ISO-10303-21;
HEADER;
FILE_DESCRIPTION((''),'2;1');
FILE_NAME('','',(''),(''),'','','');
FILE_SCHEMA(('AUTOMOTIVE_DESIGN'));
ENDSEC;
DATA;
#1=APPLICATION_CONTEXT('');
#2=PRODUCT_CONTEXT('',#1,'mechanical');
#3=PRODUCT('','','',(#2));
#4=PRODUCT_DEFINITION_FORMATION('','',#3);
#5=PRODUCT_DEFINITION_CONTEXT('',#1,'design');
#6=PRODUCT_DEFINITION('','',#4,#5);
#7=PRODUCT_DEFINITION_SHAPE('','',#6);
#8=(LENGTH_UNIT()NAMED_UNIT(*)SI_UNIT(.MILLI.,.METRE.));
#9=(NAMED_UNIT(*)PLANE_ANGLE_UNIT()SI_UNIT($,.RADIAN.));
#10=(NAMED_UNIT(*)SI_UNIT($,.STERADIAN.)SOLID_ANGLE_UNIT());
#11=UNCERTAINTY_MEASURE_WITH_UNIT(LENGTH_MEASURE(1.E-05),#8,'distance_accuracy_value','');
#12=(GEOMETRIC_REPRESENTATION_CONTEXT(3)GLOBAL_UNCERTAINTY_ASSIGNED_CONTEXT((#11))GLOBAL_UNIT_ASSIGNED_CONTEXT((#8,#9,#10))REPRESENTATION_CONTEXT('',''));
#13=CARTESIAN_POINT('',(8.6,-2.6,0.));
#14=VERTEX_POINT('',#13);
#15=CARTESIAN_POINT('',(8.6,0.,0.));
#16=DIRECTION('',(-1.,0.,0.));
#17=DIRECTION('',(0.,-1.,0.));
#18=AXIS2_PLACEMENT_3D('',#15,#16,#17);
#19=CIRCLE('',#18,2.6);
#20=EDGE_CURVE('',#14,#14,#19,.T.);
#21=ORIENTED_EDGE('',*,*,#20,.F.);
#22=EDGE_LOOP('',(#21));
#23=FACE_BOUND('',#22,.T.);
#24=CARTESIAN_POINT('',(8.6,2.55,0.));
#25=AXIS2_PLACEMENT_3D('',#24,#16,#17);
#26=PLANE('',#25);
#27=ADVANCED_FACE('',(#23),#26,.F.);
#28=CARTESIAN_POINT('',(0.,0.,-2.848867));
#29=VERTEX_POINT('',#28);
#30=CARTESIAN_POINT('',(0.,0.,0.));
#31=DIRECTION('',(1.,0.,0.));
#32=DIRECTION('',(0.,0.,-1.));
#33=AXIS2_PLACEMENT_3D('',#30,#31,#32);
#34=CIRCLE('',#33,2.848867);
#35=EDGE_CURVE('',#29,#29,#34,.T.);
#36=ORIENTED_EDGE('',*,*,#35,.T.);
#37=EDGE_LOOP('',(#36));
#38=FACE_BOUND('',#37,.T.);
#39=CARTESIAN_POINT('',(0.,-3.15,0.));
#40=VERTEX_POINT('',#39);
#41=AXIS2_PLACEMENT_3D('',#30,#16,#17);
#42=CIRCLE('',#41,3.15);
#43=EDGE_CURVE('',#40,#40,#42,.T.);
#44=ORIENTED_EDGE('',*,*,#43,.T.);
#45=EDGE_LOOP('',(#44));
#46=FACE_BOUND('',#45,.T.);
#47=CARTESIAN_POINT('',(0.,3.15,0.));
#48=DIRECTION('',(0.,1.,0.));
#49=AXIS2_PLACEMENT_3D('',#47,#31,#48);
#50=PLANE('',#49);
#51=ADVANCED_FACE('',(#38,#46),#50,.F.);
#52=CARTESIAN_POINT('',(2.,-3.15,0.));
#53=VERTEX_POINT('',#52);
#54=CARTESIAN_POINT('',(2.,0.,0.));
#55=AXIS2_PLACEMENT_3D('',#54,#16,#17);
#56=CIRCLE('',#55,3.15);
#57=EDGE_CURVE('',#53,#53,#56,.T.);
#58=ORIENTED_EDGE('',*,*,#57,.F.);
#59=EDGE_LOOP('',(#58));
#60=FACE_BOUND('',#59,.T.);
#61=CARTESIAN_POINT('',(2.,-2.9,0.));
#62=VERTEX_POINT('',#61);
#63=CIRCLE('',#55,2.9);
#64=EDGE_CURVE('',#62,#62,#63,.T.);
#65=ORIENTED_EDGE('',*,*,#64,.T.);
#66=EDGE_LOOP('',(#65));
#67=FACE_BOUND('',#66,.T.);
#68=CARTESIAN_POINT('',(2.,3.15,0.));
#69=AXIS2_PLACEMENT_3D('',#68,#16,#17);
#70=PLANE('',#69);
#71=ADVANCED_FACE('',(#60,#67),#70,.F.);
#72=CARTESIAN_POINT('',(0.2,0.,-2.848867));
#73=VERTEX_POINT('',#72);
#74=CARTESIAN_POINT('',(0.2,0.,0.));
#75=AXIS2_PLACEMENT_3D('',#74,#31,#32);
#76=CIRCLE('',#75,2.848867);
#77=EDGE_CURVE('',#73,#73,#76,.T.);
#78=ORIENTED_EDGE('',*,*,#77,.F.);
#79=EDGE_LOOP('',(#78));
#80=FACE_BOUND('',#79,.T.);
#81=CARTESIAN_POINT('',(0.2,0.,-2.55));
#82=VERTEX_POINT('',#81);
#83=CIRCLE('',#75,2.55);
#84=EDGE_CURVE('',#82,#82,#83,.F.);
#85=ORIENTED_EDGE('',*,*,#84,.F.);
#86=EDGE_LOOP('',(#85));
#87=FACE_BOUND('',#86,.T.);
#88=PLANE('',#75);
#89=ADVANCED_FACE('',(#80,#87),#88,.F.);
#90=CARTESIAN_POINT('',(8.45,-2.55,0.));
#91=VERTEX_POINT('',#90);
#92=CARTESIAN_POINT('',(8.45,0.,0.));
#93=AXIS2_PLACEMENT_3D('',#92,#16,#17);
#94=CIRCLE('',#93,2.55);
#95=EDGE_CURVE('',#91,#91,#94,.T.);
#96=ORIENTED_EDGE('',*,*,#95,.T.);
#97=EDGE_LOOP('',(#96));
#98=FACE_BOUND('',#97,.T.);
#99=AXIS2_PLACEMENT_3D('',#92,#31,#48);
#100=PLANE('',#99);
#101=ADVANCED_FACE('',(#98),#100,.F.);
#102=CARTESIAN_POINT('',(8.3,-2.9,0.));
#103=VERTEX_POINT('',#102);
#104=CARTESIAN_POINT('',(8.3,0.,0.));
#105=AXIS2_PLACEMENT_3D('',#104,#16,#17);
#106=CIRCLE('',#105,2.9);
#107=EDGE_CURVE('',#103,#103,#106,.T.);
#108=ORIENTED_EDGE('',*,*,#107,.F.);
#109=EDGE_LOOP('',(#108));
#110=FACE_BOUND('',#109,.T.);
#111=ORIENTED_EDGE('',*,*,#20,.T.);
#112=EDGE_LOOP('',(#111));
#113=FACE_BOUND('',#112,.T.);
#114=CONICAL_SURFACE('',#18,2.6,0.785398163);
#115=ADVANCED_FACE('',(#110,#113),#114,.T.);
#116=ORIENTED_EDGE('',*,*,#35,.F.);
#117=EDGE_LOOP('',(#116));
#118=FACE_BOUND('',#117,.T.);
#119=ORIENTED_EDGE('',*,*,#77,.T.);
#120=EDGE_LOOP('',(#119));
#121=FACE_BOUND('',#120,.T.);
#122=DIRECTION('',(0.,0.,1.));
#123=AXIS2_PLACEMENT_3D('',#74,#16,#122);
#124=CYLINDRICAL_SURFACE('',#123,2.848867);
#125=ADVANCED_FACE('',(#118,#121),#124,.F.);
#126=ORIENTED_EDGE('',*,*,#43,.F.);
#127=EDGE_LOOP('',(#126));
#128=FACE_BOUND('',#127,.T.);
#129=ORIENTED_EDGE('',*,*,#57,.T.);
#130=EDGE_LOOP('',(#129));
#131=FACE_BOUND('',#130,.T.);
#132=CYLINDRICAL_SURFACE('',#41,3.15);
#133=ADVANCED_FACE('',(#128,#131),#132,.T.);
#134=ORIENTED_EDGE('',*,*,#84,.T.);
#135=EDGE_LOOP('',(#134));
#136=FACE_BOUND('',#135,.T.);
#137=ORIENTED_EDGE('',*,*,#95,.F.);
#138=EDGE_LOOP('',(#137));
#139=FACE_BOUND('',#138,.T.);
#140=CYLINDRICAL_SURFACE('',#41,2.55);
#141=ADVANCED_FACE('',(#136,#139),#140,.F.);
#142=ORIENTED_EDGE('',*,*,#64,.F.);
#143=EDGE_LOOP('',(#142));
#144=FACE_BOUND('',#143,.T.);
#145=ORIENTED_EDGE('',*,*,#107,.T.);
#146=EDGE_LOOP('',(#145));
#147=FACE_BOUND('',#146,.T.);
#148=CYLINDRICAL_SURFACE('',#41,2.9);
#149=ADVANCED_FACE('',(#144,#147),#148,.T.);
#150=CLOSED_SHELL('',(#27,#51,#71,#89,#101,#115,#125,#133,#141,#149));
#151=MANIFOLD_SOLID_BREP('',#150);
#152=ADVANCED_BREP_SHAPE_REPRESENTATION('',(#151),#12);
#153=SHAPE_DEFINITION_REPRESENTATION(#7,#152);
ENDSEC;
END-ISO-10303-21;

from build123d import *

# Parameters (mm, degrees)
ESBO_O2_R             = 2.848867015
CORTE_EXTRUS_O1_DEPTH = 0.2


with BuildPart() as part:
    # Esboço1 → Revolução1 (revolve)
    with BuildSketch(Plane.XY, mode=Mode.PRIVATE) as revolu_o1_sk:
        Polygon((8.3, 2.9), (8.6, 2.6), (8.6, 2.55), (8.6, 0), (8.45, 0), (8.45, 2.55), (0, 2.55), (0, 3.15), (2, 3.15), (2, 2.9), align=None)
    revolve(revolu_o1_sk.sketch.rotate(Axis((0, 0, 0), (1, 0, 0)), 180), axis=Axis((0, 0, 0), (1, 0, 0)))

    # Esboço2 → Corte-extrusão1 (cut)
    with BuildSketch(Plane(origin=(0, 0, 0), x_dir=(0, 0, -1), z_dir=(1, 0, 0))):
        Circle(ESBO_O2_R)
    extrude(amount=CORTE_EXTRUS_O1_DEPTH, mode=Mode.SUBTRACT)


solid = part.part
